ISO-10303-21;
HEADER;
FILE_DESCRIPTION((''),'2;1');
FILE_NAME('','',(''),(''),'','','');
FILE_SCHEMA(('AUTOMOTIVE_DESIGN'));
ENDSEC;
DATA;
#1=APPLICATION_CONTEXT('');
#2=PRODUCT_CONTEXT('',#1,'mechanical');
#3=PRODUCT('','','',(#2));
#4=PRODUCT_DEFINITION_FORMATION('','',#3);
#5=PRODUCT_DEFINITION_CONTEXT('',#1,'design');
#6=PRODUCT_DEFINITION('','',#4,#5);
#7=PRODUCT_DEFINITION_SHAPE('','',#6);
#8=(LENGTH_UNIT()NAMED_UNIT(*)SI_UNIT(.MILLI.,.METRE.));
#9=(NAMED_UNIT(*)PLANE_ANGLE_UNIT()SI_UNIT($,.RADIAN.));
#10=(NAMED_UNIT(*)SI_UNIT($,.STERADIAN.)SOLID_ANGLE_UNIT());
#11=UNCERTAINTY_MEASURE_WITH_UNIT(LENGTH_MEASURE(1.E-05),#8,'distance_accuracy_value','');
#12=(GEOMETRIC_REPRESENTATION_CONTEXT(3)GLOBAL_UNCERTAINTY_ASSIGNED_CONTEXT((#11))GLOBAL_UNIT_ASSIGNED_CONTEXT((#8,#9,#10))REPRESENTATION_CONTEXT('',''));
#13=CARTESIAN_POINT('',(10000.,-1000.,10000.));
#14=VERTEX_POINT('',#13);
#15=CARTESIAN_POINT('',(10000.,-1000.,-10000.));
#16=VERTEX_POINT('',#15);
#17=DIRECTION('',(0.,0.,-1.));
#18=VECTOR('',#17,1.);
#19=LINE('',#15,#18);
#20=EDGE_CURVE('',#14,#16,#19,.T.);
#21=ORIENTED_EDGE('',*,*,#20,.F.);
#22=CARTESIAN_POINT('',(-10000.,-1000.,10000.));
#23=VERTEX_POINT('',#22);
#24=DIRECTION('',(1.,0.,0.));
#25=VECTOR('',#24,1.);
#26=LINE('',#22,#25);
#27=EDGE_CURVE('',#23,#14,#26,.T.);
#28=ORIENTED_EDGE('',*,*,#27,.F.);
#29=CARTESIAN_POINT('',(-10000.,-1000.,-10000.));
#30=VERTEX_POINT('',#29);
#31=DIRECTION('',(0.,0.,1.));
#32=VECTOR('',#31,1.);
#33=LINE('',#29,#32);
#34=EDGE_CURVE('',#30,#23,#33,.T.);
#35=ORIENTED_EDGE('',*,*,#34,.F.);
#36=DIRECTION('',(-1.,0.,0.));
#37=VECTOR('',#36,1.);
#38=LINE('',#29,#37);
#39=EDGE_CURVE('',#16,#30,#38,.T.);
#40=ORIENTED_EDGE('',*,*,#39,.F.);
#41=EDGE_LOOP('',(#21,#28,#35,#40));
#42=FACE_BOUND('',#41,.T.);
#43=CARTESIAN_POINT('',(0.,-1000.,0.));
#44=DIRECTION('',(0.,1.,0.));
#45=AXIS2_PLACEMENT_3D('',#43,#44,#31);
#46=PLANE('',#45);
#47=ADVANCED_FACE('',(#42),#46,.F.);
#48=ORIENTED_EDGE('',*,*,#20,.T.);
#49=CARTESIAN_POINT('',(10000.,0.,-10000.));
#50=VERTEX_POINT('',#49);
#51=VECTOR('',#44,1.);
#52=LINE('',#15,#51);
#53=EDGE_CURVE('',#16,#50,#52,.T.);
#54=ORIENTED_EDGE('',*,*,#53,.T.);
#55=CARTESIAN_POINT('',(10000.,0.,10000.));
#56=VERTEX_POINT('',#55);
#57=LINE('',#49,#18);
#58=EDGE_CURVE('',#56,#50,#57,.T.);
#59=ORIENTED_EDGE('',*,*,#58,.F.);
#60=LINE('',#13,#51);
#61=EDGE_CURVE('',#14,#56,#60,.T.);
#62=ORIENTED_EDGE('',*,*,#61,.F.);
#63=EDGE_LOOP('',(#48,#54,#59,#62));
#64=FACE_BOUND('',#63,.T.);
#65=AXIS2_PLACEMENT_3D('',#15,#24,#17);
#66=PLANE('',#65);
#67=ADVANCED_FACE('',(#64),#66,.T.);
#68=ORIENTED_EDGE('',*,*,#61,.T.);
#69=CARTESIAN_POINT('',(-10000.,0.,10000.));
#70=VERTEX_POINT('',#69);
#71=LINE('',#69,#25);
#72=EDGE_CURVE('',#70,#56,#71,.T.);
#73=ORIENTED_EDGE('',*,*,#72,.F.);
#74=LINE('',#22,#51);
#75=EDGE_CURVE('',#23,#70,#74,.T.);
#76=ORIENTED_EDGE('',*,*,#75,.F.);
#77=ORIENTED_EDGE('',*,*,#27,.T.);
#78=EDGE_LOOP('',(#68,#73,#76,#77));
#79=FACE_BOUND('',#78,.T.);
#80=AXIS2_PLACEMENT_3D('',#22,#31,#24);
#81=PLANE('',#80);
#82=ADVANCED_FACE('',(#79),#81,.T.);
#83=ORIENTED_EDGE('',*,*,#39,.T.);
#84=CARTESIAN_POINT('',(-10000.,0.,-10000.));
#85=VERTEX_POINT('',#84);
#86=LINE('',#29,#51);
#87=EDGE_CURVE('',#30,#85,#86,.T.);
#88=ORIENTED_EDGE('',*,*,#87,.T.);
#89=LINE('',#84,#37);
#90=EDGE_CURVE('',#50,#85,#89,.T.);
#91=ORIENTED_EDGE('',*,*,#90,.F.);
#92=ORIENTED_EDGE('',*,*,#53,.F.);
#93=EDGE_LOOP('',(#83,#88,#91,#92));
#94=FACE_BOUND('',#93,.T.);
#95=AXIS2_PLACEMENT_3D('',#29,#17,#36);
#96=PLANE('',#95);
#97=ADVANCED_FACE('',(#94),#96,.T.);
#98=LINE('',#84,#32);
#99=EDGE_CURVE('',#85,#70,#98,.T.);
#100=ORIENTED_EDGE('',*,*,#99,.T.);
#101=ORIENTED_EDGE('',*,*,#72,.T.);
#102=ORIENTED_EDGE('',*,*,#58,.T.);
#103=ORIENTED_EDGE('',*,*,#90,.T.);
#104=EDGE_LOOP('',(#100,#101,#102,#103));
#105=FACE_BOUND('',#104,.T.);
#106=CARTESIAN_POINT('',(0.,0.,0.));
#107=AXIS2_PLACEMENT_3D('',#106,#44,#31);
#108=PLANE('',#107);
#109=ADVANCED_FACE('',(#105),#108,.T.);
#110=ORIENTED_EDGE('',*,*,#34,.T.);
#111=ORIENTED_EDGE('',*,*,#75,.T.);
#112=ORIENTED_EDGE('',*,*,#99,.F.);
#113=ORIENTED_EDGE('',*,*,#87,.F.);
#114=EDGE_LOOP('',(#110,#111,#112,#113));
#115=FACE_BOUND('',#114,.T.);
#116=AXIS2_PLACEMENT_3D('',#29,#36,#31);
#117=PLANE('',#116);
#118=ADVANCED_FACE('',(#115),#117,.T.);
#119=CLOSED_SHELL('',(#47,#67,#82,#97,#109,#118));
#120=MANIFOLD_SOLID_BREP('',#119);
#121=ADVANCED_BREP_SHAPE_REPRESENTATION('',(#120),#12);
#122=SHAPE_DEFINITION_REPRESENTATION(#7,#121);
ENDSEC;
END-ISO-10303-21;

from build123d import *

# Parameters (mm, degrees)
SKETCH2_W           = 20000
SKETCH2_H           = 20000
BOSS_EXTRUDE1_DEPTH = 1000


with BuildPart() as part:
    # Sketch2 → Boss-Extrude1 (new body)
    with BuildSketch(Plane(origin=(0, 0, 0), x_dir=(1, 0, 0), z_dir=(0, 1, 0))):
        Rectangle(SKETCH2_W, SKETCH2_H)
    extrude(amount=-BOSS_EXTRUDE1_DEPTH)


solid = part.part
